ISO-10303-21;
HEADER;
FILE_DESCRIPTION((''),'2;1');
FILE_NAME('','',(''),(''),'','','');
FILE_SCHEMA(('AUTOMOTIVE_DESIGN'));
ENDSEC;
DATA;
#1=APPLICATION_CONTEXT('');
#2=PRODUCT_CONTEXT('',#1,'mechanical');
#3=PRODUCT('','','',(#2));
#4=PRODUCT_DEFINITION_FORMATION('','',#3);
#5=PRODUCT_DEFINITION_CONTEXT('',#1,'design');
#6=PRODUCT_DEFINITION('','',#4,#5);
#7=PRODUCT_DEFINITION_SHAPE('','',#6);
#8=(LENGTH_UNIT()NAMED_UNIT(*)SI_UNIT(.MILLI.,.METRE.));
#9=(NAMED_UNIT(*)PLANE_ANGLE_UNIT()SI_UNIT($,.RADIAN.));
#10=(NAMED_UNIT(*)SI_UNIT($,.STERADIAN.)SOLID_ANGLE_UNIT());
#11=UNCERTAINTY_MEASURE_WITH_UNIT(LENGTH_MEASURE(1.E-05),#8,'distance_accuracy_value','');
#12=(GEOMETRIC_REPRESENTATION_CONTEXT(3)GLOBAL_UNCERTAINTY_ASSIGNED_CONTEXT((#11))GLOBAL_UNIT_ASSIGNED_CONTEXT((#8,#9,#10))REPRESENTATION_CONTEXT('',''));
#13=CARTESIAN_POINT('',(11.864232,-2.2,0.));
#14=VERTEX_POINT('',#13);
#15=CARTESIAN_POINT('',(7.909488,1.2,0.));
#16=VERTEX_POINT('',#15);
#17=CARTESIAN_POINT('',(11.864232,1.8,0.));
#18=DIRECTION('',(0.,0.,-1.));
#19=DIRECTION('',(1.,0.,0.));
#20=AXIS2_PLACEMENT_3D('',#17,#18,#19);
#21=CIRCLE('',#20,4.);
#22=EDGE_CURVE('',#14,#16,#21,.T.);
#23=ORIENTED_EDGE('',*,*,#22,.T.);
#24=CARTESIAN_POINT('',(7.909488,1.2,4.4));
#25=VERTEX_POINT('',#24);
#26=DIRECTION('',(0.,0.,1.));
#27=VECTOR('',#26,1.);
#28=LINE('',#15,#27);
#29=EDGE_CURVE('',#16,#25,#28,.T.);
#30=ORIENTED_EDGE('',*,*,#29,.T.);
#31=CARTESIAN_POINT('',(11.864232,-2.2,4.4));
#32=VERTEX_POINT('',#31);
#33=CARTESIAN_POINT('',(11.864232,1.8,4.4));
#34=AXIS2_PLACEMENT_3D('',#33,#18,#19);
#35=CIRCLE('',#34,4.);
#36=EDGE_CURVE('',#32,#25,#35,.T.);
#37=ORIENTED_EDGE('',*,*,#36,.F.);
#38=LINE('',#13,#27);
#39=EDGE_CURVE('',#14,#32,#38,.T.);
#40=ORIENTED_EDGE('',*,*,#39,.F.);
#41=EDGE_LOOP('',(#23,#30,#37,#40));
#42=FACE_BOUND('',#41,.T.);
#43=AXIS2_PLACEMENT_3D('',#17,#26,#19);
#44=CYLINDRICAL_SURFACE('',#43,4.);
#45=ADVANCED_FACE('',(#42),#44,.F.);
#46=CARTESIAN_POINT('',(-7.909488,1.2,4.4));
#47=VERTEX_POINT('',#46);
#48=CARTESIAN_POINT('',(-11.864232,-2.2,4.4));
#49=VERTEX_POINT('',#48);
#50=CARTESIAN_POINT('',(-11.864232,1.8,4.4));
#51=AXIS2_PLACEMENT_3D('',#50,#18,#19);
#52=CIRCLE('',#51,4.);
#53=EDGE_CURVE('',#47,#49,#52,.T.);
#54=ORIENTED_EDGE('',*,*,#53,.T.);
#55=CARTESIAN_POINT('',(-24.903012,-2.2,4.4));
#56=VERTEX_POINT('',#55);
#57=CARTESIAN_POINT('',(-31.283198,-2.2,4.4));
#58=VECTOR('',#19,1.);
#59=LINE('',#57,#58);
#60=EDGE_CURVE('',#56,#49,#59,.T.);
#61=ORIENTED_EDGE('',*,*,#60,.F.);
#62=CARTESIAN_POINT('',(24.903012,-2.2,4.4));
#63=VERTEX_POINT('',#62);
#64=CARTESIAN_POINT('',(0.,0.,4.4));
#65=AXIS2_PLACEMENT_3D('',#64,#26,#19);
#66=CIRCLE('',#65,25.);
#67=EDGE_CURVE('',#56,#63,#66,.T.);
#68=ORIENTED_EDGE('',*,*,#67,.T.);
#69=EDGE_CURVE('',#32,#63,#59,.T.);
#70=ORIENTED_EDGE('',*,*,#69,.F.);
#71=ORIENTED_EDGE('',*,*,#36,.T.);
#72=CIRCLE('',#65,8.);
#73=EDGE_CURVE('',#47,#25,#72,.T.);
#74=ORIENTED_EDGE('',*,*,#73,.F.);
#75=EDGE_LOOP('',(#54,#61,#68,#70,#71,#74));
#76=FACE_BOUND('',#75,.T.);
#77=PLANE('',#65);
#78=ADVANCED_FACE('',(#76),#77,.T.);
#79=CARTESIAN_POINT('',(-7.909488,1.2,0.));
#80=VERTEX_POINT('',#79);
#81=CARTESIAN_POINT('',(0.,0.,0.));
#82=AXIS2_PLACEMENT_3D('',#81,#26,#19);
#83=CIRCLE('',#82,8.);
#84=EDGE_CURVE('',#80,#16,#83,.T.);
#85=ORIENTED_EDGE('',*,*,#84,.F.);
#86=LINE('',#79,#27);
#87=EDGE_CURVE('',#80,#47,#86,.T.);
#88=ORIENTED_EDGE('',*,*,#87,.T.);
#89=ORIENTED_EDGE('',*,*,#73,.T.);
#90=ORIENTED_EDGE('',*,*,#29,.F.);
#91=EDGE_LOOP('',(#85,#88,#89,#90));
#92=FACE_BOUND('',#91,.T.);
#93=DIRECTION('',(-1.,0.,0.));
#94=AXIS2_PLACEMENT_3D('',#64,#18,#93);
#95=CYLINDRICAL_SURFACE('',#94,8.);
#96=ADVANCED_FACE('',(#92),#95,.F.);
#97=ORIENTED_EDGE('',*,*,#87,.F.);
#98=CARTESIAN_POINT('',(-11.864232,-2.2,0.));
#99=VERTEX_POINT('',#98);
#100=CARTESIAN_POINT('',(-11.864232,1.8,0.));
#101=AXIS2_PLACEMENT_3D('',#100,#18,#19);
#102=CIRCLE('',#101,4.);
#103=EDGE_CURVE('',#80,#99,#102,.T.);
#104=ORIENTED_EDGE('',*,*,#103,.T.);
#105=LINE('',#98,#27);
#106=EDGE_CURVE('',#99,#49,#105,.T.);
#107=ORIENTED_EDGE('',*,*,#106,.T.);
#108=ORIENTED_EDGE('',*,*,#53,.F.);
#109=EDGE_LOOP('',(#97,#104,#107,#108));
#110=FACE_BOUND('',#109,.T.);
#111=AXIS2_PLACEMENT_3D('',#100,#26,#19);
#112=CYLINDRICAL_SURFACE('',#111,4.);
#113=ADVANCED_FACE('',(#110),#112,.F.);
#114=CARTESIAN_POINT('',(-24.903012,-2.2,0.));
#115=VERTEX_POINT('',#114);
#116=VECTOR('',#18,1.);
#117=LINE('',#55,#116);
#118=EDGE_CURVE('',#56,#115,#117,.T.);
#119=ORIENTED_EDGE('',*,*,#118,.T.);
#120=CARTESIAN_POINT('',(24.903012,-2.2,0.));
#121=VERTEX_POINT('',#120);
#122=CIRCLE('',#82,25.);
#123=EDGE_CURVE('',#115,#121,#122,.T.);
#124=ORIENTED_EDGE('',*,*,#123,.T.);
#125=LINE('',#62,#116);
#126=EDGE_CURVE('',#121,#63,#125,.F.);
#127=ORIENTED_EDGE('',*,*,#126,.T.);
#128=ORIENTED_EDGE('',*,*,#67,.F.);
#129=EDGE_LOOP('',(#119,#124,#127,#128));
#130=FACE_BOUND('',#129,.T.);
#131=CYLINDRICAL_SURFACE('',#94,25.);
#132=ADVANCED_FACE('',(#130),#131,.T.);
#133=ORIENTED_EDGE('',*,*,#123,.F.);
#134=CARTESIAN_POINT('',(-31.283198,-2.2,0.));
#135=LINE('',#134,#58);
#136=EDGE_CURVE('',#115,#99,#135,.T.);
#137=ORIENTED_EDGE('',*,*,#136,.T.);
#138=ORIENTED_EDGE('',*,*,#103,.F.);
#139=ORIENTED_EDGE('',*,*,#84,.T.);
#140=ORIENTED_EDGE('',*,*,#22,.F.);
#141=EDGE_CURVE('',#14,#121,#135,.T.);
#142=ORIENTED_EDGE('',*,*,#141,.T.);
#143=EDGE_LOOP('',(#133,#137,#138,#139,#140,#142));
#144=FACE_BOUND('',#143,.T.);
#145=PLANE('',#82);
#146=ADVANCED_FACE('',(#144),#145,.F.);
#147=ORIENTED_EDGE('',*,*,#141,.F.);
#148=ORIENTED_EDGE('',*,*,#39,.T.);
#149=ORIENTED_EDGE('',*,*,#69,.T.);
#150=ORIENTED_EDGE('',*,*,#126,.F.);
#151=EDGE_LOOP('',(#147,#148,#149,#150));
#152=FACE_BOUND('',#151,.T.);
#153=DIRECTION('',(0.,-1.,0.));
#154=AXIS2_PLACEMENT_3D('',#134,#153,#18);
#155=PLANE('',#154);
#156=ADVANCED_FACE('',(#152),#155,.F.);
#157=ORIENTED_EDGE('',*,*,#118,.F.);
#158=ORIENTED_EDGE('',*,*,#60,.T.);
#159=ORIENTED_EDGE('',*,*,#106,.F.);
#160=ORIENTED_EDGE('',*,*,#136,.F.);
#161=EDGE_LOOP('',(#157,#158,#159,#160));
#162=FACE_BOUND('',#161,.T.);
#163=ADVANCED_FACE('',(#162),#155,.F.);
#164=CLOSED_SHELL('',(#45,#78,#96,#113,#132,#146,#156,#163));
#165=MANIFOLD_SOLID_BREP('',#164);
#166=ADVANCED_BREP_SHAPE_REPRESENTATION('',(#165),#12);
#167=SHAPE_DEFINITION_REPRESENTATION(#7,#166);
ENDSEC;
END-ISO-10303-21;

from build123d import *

# Parameters (mm, degrees)
SKETCH1_R           = 25
SKETCH1_R_2         = 8
BASE_EXTRUDE_DEPTH  = 4.4
CUT_EXTRUDE1_DEPTH  = 5.4
BOSS_EXTRUDE1_DEPTH = 4.4


with BuildPart() as part:
    # Sketch1 → Base-Extrude (new body)
    with BuildSketch(Plane.XY):
        Circle(SKETCH1_R)
        Circle(SKETCH1_R_2, mode=Mode.SUBTRACT)
    extrude(amount=BASE_EXTRUDE_DEPTH)

    # Sketch2 → Cut-Extrude1 (cut, through all)
    with BuildSketch(Plane.XY.offset(4.4)):
        Polygon((-31.283198073, -2.2), (32.499555714, -2.2), (32.499555714, 32.618237466), (-31.739332188, 32.618237466), align=None)
    extrude(amount=-CUT_EXTRUDE1_DEPTH, mode=Mode.SUBTRACT)

    # Sketch3 → Boss-Extrude1 (add)
    with BuildSketch(Plane.XY.offset(4.4)):
        with BuildLine():
            Line((7.691553809, -2.2), (11.86423196, -2.2))
            ThreePointArc((11.86423196, -2.2), (9.256550998, -1.233150178), (7.909487973, 1.2))
            ThreePointArc((7.909487973, 1.2), (7.983616109, -0.511736089), (7.691553809, -2.2))
        make_face()
        with BuildLine():
            Line((-11.86423196, -2.2), (-7.691553809, -2.2))
            ThreePointArc((-7.691553809, -2.2), (-7.983616109, -0.511736089), (-7.909487973, 1.2))
            ThreePointArc((-7.909487973, 1.2), (-9.256550998, -1.233150178), (-11.86423196, -2.2))
        make_face()
    extrude(amount=-BOSS_EXTRUDE1_DEPTH)


solid = part.part
